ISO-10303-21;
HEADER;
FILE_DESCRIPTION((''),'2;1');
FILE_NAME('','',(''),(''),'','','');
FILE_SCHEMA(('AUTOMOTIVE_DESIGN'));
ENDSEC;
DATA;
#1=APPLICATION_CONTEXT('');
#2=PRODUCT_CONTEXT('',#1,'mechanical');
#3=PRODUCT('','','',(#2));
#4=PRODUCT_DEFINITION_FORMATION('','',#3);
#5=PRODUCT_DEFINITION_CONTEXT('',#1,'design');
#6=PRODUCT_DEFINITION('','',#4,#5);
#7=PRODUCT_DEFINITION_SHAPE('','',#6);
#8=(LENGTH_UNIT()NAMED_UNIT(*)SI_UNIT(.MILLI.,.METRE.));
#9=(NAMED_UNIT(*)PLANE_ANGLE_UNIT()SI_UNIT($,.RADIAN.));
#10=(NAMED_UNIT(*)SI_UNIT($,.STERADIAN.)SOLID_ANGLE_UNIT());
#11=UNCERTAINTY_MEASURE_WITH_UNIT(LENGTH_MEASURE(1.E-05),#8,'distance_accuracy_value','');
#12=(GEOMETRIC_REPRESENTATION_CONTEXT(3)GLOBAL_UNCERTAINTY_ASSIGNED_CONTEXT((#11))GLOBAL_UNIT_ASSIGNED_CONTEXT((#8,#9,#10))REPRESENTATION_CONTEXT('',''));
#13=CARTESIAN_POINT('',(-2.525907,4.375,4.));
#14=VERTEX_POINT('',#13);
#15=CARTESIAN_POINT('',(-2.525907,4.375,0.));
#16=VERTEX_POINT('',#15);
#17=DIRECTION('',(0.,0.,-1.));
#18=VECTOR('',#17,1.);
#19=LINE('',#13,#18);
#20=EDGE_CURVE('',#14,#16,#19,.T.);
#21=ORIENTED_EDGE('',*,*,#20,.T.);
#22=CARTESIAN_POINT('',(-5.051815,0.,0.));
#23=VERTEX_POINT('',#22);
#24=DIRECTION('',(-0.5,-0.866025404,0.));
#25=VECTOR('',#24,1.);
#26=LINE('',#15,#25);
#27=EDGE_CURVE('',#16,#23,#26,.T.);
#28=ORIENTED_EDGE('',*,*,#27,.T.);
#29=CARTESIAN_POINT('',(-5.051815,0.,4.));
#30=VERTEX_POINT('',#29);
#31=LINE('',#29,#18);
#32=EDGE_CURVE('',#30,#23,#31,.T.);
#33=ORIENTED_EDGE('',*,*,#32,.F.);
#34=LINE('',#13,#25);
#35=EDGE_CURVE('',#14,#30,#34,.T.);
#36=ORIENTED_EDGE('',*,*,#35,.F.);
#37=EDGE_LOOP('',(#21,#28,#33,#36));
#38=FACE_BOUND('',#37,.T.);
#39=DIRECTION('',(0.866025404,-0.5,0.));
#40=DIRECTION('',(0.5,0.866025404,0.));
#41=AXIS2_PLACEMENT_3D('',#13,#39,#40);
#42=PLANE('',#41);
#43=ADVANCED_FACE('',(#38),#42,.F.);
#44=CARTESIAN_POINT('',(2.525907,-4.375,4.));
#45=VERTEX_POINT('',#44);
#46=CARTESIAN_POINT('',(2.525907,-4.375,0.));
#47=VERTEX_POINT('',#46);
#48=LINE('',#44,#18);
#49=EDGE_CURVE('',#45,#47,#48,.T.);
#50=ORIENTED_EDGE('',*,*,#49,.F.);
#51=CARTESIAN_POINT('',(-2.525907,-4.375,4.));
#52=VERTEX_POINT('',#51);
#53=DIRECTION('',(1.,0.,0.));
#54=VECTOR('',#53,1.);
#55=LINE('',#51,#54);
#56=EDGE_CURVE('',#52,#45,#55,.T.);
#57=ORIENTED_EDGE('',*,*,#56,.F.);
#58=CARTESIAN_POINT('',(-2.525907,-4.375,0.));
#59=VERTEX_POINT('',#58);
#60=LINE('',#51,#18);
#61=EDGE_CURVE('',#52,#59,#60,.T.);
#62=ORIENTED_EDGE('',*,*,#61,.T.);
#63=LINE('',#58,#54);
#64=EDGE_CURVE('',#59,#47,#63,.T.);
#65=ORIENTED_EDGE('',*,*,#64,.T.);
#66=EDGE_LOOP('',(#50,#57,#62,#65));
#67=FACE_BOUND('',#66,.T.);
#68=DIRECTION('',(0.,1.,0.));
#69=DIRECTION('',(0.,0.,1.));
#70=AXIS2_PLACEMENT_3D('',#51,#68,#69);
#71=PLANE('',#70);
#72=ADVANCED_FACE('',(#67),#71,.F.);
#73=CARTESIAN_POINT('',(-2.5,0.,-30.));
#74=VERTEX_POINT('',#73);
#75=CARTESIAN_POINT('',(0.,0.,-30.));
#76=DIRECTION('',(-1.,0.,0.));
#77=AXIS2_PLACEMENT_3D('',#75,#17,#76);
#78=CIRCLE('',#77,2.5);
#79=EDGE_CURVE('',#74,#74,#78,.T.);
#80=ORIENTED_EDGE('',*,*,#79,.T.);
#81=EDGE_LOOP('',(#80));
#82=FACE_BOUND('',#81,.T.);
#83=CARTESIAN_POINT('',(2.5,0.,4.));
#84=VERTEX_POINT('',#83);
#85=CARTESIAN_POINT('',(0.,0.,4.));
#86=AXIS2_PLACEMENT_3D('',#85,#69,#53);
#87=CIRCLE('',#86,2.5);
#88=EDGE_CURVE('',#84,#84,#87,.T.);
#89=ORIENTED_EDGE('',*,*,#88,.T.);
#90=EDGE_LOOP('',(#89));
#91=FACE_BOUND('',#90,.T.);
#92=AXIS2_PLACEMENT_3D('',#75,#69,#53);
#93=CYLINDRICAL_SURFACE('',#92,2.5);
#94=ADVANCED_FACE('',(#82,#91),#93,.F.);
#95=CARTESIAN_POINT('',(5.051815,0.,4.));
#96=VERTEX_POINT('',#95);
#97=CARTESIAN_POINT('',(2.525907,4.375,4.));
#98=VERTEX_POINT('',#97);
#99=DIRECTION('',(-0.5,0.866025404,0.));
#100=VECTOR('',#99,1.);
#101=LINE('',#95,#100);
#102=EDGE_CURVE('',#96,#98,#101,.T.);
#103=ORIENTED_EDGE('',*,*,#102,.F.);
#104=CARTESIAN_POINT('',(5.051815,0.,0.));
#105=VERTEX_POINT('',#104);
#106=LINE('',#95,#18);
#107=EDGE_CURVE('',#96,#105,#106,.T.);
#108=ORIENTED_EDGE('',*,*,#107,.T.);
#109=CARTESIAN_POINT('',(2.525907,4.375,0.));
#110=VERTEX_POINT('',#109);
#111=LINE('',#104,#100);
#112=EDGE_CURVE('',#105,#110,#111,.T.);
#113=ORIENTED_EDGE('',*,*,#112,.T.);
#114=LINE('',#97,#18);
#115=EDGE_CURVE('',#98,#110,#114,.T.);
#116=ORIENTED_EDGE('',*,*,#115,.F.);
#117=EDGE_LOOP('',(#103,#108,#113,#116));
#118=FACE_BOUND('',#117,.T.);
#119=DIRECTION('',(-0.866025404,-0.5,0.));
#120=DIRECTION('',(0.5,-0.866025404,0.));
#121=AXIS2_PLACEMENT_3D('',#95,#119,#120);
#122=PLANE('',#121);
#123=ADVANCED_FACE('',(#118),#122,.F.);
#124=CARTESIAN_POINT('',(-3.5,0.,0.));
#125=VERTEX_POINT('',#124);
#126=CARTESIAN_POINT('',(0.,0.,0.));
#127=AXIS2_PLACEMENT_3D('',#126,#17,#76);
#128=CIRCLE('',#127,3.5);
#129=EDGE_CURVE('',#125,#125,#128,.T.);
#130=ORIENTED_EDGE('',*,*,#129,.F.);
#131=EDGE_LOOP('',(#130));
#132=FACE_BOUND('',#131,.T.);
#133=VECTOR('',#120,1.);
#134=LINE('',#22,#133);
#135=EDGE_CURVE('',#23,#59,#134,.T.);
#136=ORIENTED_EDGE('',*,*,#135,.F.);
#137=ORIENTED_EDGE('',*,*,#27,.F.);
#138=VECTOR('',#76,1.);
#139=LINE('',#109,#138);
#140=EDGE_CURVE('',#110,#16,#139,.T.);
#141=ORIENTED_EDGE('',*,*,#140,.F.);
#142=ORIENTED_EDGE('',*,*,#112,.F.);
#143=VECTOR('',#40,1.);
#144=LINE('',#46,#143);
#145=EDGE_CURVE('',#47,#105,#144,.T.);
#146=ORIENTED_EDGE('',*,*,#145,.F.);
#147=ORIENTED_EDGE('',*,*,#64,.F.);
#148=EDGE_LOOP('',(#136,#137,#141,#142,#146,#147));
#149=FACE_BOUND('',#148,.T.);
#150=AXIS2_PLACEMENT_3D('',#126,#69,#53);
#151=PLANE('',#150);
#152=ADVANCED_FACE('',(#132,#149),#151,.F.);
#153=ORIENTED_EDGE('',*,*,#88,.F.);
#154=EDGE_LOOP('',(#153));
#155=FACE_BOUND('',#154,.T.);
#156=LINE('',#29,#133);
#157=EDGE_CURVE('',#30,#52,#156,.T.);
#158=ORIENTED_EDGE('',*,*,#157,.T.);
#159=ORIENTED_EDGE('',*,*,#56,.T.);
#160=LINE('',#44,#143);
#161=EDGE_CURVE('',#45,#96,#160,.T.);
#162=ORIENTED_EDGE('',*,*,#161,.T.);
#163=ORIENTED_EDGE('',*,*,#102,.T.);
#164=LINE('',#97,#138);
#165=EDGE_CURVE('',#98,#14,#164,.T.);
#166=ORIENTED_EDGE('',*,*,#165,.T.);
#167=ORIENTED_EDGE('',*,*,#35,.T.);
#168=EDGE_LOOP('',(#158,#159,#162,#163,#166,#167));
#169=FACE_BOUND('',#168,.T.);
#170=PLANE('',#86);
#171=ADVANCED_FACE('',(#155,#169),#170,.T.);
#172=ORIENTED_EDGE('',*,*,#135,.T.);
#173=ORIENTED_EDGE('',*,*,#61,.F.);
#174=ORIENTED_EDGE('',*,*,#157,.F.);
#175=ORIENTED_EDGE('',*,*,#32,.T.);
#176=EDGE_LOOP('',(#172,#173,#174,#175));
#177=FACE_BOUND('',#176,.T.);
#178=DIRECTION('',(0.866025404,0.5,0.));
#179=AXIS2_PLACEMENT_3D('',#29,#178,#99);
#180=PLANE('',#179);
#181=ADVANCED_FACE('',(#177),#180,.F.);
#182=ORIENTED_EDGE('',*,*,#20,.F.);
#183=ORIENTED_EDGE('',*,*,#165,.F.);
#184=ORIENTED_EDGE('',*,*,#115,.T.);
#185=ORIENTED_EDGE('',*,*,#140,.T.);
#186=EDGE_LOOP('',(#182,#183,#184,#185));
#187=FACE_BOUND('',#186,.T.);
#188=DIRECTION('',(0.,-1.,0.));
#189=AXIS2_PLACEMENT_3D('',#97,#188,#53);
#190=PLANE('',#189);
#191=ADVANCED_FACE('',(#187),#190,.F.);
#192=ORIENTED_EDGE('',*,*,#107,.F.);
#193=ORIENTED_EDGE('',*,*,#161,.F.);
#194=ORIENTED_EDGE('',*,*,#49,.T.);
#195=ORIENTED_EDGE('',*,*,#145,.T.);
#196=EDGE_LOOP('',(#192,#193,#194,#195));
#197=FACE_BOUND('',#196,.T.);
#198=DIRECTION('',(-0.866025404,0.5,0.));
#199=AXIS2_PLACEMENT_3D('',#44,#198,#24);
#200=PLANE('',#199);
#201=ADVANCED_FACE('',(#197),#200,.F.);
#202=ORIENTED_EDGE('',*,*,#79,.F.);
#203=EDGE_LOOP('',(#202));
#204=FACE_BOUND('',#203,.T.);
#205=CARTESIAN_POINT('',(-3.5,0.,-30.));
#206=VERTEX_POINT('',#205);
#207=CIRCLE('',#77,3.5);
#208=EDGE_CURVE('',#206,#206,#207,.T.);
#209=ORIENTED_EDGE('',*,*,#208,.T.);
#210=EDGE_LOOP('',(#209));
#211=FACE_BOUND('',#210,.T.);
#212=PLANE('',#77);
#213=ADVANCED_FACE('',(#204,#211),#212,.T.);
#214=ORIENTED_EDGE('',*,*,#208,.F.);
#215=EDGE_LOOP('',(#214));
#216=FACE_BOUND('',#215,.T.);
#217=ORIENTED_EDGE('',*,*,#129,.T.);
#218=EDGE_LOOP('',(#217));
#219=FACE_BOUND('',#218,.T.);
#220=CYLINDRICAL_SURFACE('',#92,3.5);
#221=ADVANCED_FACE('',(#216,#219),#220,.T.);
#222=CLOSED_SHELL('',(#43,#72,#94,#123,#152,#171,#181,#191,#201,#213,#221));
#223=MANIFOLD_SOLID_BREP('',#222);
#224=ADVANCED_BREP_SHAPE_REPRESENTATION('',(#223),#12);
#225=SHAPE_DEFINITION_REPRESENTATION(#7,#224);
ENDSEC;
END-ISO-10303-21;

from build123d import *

# Parameters (mm, degrees)
EXTRUDE_1_DEPTH     = 4
SKETCH_2_R          = 3.5
SKETCH_2_R_2        = 2.5
EXTRUDE_2_DEPTH     = 30
SKETCH_3_R          = 2.5
CUT_EXTRUDE_1_DEPTH = 64


with BuildPart() as part:
    # 草图1 → 凸台-拉伸1 (new body)
    with BuildSketch(Plane.XY):
        Polygon((5.051814855, 0), (2.525907428, 4.375), (-2.525907428, 4.375), (-5.051814855, 0), (-2.525907428, -4.375), (2.525907428, -4.375), align=None)
    extrude(amount=EXTRUDE_1_DEPTH)

    # 草图2 → 凸台-拉伸2 (add)
    with BuildSketch(Plane(origin=(0, 0, 0), x_dir=(-1, 0, 0), z_dir=(0, 0, -1))):
        Circle(SKETCH_2_R)
        Circle(SKETCH_2_R_2, mode=Mode.SUBTRACT)
    extrude(amount=EXTRUDE_2_DEPTH)

    # 草图3 → 切除-拉伸1 (cut)
    with BuildSketch(Plane.XY.offset(4)):
        Circle(SKETCH_3_R)
    extrude(amount=-CUT_EXTRUDE_1_DEPTH, mode=Mode.SUBTRACT)


solid = part.part
